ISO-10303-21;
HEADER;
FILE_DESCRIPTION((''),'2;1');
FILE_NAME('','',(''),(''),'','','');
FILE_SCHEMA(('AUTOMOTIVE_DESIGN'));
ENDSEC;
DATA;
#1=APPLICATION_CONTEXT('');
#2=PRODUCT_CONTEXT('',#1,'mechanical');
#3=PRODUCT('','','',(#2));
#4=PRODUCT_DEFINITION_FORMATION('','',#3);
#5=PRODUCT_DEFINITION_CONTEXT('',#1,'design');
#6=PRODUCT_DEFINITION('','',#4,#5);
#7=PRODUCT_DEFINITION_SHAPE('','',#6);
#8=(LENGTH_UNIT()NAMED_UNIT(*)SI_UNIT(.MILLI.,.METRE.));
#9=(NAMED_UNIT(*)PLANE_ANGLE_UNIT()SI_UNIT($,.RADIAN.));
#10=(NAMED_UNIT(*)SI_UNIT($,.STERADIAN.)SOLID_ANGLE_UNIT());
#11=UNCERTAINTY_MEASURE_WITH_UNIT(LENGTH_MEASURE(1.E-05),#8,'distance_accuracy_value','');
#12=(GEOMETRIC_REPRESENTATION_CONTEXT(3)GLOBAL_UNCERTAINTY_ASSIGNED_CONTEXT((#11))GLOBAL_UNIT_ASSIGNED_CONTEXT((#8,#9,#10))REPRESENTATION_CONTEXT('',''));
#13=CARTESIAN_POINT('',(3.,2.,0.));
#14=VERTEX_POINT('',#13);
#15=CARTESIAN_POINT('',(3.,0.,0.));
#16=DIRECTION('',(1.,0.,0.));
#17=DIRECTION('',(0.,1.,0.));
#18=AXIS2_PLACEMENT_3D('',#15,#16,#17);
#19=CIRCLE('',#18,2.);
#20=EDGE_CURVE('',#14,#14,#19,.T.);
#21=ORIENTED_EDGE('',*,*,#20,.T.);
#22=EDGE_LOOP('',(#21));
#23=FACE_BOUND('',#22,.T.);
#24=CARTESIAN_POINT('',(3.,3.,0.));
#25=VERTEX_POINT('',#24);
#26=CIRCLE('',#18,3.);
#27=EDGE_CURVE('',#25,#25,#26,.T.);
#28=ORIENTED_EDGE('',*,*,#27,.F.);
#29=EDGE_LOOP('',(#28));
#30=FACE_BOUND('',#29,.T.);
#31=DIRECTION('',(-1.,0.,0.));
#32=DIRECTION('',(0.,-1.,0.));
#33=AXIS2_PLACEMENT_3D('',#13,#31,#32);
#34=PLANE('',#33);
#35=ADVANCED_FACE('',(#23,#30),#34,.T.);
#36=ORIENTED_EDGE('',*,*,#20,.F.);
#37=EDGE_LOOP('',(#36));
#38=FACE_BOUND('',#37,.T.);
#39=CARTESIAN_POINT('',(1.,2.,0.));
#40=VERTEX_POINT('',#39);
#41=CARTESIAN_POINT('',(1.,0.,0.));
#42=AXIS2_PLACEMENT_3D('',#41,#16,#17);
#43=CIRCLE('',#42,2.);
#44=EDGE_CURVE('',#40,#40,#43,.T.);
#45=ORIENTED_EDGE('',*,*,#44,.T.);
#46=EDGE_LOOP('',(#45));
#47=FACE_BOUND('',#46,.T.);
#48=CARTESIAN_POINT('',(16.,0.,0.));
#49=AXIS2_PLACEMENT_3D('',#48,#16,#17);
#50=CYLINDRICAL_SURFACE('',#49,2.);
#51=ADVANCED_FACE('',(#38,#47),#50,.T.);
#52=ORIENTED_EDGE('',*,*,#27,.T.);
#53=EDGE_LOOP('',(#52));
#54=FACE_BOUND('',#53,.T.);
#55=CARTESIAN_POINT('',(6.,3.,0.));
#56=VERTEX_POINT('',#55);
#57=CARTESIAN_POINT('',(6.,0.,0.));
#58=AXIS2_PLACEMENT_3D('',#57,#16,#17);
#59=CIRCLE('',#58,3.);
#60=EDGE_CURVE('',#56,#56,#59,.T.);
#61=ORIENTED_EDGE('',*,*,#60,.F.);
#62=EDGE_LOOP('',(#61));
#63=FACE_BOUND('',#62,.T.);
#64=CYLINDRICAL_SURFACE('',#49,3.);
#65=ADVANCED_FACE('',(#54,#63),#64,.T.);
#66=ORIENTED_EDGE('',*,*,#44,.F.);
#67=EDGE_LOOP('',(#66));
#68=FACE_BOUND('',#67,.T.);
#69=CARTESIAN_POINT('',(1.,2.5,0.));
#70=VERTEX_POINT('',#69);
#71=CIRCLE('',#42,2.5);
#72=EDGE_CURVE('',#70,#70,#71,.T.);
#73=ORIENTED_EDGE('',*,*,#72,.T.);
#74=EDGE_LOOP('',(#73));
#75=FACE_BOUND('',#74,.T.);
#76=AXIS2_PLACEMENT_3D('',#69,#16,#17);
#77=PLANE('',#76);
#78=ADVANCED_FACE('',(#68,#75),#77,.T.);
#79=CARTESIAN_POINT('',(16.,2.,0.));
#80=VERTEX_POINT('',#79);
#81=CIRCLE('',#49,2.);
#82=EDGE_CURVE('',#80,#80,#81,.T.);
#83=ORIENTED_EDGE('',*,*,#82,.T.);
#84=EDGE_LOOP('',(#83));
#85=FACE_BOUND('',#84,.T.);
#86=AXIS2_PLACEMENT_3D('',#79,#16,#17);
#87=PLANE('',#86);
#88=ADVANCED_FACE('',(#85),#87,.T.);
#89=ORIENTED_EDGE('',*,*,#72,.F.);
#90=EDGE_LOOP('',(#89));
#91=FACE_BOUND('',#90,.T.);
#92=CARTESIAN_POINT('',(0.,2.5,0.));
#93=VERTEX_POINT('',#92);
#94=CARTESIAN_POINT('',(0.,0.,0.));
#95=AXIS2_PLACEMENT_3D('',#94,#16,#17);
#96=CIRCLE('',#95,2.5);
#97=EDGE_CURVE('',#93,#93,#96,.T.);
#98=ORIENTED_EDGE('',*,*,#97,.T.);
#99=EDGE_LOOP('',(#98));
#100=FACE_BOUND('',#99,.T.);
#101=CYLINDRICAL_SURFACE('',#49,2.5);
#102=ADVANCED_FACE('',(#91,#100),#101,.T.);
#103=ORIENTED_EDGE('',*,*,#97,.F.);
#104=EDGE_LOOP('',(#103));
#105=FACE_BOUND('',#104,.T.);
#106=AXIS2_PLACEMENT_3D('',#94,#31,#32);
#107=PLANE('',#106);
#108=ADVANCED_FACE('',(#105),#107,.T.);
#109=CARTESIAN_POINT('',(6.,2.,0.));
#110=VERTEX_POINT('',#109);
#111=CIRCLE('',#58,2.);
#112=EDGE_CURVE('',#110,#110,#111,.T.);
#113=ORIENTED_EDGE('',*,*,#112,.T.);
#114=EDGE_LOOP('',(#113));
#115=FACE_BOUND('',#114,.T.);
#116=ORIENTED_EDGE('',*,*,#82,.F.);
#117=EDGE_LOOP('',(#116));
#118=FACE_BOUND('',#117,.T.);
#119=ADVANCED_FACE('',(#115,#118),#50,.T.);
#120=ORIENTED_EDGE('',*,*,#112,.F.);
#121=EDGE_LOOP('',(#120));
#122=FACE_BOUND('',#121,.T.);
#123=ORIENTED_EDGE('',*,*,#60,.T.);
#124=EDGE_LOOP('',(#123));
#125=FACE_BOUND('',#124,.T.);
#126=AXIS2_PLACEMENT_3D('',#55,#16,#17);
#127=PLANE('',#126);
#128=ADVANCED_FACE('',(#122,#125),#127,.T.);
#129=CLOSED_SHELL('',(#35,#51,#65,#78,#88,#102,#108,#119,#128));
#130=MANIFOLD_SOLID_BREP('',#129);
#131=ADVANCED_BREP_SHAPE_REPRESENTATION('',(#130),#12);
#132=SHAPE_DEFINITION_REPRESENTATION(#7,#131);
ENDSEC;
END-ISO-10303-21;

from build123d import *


with BuildPart() as part:
    # Esquisse1 → Révolution1 (revolve)
    with BuildSketch(Plane.XY):
        Polygon((0, 0), (0, 2.5), (1, 2.5), (1, 2), (3, 2), (3, 3), (6, 3), (6, 2), (16, 2), (16, 0), align=None)
    revolve(axis=Axis((16, 0, 0), (-1, 0, 0)))


solid = part.part
